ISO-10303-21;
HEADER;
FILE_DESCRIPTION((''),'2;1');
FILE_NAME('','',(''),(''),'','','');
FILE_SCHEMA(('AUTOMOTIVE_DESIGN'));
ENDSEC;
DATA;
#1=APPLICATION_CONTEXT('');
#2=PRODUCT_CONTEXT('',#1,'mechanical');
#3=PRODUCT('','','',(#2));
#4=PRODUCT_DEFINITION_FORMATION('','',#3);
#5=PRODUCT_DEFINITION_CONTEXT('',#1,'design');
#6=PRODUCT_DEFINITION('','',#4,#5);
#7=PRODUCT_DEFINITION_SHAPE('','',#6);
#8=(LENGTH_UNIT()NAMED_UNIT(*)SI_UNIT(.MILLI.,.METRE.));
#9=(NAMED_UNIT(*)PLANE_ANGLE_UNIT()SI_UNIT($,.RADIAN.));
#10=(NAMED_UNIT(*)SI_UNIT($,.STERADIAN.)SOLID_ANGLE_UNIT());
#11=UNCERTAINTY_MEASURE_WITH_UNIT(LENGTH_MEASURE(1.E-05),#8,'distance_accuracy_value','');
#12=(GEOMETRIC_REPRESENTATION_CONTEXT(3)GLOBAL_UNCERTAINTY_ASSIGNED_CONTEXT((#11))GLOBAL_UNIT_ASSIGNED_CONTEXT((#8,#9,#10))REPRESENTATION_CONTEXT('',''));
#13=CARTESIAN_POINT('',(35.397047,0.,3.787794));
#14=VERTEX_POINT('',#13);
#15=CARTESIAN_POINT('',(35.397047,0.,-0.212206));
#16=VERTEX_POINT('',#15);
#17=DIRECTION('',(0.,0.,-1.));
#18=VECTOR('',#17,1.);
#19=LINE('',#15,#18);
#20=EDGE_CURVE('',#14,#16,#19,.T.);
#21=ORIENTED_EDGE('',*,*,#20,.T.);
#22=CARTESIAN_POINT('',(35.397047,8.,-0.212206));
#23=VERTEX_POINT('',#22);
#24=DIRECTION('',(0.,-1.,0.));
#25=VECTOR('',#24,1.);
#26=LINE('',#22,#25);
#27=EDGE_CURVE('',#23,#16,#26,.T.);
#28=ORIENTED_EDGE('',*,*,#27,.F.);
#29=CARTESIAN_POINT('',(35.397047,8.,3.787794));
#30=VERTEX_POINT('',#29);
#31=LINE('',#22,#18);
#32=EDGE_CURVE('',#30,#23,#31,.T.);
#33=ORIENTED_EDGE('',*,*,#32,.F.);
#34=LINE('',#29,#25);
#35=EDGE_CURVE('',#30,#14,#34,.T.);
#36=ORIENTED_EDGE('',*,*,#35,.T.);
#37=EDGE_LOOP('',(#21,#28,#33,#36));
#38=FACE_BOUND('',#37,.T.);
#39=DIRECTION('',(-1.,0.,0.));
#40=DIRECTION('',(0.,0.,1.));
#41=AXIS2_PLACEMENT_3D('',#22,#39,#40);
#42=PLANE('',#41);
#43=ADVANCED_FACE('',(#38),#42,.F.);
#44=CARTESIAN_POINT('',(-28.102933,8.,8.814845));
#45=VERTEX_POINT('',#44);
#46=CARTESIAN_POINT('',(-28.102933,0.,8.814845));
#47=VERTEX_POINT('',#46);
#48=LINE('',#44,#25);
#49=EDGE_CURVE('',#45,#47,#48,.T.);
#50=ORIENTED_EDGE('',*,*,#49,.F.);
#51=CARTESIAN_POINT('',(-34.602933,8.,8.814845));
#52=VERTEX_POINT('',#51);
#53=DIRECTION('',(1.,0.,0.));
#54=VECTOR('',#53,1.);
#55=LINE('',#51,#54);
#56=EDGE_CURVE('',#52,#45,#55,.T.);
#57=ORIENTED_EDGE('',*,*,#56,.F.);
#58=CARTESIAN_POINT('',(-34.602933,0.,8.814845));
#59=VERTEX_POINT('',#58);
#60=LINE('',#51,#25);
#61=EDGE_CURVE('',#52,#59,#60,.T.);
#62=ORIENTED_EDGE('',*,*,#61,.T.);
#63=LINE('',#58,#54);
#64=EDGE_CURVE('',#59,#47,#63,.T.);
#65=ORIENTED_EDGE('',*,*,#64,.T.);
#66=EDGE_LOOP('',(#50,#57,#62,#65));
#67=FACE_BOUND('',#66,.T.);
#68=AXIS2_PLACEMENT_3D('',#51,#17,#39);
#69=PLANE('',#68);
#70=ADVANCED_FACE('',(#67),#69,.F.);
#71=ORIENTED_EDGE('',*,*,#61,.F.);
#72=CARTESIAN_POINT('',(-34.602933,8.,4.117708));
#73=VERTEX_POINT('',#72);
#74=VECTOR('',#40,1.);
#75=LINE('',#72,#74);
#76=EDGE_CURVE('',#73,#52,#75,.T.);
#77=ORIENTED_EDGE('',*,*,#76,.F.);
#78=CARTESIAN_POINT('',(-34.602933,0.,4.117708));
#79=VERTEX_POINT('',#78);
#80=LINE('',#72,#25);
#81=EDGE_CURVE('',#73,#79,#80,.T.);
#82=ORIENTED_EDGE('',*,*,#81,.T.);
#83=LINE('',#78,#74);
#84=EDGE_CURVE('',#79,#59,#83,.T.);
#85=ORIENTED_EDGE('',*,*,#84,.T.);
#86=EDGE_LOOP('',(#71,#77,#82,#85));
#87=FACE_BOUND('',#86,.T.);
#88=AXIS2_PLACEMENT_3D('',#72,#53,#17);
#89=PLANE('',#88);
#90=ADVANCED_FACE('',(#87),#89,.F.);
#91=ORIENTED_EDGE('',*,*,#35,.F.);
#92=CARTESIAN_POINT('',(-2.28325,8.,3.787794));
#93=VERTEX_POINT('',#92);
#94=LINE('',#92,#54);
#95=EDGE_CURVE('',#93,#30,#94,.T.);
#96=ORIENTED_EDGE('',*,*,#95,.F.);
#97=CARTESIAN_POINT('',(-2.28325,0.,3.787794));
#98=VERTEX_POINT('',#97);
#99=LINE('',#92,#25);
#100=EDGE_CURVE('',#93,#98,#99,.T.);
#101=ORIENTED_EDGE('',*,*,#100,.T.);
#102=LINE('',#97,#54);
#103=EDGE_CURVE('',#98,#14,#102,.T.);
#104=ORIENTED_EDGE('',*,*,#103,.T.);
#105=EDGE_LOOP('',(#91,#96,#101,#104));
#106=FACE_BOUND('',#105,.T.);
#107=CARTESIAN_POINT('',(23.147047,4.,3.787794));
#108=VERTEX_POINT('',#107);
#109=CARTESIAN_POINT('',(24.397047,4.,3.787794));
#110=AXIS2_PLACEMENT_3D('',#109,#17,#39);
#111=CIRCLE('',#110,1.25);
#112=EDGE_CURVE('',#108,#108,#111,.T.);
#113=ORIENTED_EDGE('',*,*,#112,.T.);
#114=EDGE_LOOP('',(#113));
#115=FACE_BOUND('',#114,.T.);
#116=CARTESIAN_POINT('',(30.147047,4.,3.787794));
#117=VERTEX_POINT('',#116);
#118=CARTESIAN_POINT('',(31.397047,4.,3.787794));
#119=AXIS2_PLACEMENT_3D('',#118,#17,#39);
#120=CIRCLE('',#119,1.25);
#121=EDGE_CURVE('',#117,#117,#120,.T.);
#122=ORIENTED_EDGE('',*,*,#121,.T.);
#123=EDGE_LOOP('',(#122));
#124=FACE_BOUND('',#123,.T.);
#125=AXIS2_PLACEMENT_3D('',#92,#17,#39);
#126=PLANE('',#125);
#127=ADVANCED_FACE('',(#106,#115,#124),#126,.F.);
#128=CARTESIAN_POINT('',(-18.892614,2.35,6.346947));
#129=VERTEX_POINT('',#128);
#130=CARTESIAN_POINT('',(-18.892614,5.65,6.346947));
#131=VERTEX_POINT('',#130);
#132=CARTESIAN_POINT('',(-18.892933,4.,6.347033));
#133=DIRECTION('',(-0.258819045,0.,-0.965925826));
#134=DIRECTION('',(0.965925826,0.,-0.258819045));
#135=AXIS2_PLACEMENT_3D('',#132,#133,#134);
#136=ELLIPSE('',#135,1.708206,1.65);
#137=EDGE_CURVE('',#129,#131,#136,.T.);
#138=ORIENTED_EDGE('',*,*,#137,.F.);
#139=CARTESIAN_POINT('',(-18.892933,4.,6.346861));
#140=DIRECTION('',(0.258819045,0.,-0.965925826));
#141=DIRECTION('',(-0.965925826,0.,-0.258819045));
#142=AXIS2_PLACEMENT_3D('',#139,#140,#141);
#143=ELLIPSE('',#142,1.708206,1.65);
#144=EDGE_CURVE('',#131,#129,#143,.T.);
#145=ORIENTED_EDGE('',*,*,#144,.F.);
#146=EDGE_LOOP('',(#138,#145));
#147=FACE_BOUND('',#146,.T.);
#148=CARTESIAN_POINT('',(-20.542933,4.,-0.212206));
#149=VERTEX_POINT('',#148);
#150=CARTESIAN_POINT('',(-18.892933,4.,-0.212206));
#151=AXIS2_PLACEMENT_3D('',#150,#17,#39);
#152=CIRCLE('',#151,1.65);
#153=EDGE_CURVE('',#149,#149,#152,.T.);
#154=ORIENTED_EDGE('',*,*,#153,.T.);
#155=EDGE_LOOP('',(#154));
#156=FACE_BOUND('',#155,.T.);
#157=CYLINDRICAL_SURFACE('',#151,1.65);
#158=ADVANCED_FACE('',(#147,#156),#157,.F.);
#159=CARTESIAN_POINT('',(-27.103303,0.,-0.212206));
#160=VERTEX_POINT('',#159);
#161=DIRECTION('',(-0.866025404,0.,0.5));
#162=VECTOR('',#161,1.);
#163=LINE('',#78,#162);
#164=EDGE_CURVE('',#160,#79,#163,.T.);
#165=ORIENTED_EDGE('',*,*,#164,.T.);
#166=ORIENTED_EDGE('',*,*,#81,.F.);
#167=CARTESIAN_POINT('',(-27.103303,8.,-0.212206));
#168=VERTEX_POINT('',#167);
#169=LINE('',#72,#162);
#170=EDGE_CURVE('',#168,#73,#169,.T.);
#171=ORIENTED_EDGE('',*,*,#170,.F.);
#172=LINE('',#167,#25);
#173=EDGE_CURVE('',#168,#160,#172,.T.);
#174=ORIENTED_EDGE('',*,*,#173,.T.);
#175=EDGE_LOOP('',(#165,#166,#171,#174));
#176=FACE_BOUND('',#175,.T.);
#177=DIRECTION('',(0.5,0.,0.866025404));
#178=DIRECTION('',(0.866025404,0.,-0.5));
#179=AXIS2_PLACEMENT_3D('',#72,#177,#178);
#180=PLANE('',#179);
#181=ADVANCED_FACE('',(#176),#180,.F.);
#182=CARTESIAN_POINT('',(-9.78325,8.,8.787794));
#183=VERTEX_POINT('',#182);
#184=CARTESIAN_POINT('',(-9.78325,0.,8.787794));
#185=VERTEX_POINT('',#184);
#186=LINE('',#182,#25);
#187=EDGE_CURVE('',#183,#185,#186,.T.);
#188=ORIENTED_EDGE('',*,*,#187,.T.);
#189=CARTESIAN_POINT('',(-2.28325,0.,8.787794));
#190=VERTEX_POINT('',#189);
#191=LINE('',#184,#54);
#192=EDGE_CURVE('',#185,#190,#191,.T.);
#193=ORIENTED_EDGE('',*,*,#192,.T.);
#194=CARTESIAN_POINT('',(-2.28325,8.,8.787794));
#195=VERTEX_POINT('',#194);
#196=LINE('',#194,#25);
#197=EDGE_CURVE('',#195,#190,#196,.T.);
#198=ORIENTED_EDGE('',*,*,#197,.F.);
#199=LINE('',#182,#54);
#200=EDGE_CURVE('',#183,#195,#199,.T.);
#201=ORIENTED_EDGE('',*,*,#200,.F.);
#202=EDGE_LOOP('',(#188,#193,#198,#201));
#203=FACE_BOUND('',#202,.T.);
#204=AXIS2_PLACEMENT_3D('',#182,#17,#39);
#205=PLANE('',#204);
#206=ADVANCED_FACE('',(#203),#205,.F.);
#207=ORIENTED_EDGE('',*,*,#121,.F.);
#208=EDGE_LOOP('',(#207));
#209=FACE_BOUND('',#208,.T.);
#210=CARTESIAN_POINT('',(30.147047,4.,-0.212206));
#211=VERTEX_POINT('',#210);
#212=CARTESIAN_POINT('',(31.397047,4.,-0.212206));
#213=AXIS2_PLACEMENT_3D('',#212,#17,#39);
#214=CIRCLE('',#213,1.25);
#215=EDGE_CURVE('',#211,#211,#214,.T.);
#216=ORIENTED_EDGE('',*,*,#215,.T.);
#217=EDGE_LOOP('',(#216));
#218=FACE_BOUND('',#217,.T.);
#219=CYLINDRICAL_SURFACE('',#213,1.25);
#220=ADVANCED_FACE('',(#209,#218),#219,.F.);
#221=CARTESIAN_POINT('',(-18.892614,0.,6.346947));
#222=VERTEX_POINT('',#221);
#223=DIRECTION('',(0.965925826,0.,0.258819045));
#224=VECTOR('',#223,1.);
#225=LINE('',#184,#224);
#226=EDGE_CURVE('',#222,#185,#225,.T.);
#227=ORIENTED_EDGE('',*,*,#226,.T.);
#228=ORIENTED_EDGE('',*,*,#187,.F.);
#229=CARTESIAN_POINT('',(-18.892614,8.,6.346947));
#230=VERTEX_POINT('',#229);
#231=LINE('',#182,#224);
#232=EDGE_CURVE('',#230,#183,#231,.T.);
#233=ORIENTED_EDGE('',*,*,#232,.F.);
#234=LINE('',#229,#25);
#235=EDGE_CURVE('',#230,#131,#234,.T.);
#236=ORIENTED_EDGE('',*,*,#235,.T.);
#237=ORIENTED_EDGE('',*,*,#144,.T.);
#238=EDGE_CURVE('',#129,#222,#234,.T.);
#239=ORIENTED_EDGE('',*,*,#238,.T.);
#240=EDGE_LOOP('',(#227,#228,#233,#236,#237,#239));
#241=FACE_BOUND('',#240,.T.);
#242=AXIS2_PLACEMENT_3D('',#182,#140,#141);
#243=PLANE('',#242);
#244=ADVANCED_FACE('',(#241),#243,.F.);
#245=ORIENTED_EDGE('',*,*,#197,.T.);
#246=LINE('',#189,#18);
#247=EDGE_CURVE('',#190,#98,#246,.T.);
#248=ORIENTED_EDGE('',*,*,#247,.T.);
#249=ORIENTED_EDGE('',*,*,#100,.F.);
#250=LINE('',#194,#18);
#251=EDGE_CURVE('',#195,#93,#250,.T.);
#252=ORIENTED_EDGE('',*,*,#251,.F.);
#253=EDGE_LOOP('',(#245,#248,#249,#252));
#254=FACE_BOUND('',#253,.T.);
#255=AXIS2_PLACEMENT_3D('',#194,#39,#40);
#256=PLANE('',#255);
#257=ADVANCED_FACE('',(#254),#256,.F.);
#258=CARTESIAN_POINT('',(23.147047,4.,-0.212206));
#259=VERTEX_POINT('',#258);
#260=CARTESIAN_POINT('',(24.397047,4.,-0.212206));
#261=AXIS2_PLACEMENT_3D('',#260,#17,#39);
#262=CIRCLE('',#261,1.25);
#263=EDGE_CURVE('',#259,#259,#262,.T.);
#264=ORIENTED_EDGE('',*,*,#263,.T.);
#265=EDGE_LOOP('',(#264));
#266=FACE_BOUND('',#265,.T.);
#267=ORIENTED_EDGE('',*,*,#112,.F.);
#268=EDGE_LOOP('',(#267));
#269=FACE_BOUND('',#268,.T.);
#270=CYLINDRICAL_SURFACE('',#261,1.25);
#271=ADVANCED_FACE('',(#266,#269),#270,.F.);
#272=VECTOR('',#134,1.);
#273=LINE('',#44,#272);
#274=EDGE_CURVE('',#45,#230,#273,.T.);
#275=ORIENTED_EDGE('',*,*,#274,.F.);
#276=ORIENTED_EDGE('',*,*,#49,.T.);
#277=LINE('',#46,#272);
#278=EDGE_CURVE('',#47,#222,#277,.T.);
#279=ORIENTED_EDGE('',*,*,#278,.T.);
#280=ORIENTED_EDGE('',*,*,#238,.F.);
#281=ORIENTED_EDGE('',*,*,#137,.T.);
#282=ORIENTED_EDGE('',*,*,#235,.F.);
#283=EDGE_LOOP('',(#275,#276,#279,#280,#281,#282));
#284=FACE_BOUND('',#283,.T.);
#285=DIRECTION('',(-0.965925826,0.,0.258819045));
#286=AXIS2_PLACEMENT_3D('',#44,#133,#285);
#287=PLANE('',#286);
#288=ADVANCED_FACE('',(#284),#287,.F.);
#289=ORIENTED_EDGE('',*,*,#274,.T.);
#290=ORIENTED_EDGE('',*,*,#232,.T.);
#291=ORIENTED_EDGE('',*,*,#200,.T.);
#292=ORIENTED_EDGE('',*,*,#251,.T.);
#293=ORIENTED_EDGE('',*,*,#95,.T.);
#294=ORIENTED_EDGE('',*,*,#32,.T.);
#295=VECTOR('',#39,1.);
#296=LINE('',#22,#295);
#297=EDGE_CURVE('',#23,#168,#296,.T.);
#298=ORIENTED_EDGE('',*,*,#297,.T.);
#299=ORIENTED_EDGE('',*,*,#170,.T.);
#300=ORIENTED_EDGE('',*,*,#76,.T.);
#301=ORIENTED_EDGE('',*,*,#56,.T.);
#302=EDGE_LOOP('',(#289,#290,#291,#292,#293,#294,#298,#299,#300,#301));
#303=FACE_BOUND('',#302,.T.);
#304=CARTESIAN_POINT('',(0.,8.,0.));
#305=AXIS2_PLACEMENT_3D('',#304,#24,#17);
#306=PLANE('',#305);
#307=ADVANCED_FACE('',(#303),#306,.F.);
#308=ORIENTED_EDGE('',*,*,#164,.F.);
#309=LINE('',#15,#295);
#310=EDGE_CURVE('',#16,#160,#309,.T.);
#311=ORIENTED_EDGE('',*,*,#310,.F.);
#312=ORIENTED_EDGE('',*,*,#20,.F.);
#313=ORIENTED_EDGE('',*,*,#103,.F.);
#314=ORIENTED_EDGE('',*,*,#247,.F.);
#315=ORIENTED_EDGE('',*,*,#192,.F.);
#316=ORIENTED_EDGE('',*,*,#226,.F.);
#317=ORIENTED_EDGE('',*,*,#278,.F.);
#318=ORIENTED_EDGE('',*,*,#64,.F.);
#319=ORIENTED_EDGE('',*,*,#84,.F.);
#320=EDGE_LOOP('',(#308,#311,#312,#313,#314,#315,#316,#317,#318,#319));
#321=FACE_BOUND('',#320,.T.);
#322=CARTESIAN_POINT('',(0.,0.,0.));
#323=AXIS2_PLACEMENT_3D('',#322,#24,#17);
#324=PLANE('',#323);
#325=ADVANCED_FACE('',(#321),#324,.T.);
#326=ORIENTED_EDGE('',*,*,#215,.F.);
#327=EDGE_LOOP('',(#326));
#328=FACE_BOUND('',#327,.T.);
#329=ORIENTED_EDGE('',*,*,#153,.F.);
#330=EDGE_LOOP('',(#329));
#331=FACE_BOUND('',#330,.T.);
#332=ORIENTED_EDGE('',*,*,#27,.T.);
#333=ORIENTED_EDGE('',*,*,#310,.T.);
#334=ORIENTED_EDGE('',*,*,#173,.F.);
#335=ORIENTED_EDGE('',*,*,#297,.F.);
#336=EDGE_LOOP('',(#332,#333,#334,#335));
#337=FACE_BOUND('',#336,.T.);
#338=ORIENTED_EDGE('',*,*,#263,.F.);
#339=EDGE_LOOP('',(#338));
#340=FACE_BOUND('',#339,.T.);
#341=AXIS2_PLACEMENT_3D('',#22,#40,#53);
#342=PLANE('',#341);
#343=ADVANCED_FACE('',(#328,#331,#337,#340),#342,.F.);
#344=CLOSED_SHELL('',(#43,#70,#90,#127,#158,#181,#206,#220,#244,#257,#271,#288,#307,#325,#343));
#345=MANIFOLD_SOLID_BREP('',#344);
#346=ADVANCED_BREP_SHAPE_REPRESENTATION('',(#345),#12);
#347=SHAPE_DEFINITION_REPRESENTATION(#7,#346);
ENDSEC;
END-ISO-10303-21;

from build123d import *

# Parameters (mm, degrees)
BOSS_EXTRUDE2_DEPTH   = 8
M3_TAPPED_HOLE1_D     = 2.5
M3_TAPPED_HOLE1_DEPTH = 8.5
M3_TAPPED_HOLE1_TIP   = 0.751075774
M4_TAPPED_HOLE1_D     = 3.3
M4_TAPPED_HOLE1_DEPTH = 11.5
M4_TAPPED_HOLE1_TIP   = 0.991420021


with BuildPart() as part:
    # Sketch1 → Boss-Extrude2 (new body)
    with BuildSketch(Plane(origin=(0, 0, 0), x_dir=(1, 0, 0), z_dir=(0, 1, 0))):
        Polygon((35.397046685, 0.212206196), (35.397046685, -3.787793804), (-2.283249607, -3.787793804), (-2.283249607, -8.787793804), (-9.783249607, -8.787793804), (-18.892613672, -6.346947059), (-28.102933344, -8.814844777), (-34.602933344, -8.814844777), (-34.602933344, -4.117707659), (-27.103302555, 0.212206196), align=None)
    extrude(amount=BOSS_EXTRUDE2_DEPTH)

    # M3 Tapped Hole1
    with Locations(Plane(origin=(0, 0, -0.212206196), x_dir=(-1, 0, 0), z_dir=(0, 0, -1))):
        with Locations((-31.397046685, 4), (-24.397046685, 4)):
            Hole(M3_TAPPED_HOLE1_D / 2, depth=M3_TAPPED_HOLE1_DEPTH)
            with Locations((0, 0, -(M3_TAPPED_HOLE1_DEPTH + M3_TAPPED_HOLE1_TIP / 2))):  # 118° drill point
                Cone(0, M3_TAPPED_HOLE1_D / 2, M3_TAPPED_HOLE1_TIP, mode=Mode.SUBTRACT)

    # M4 Tapped Hole1
    with Locations(Plane(origin=(0, 0, -0.212206196), x_dir=(-1, 0, 0), z_dir=(0, 0, -1))):
        with Locations((18.892933344, 4)):
            Hole(M4_TAPPED_HOLE1_D / 2, depth=M4_TAPPED_HOLE1_DEPTH)
            with Locations((0, 0, -(M4_TAPPED_HOLE1_DEPTH + M4_TAPPED_HOLE1_TIP / 2))):  # 118° drill point
                Cone(0, M4_TAPPED_HOLE1_D / 2, M4_TAPPED_HOLE1_TIP, mode=Mode.SUBTRACT)


solid = part.part
